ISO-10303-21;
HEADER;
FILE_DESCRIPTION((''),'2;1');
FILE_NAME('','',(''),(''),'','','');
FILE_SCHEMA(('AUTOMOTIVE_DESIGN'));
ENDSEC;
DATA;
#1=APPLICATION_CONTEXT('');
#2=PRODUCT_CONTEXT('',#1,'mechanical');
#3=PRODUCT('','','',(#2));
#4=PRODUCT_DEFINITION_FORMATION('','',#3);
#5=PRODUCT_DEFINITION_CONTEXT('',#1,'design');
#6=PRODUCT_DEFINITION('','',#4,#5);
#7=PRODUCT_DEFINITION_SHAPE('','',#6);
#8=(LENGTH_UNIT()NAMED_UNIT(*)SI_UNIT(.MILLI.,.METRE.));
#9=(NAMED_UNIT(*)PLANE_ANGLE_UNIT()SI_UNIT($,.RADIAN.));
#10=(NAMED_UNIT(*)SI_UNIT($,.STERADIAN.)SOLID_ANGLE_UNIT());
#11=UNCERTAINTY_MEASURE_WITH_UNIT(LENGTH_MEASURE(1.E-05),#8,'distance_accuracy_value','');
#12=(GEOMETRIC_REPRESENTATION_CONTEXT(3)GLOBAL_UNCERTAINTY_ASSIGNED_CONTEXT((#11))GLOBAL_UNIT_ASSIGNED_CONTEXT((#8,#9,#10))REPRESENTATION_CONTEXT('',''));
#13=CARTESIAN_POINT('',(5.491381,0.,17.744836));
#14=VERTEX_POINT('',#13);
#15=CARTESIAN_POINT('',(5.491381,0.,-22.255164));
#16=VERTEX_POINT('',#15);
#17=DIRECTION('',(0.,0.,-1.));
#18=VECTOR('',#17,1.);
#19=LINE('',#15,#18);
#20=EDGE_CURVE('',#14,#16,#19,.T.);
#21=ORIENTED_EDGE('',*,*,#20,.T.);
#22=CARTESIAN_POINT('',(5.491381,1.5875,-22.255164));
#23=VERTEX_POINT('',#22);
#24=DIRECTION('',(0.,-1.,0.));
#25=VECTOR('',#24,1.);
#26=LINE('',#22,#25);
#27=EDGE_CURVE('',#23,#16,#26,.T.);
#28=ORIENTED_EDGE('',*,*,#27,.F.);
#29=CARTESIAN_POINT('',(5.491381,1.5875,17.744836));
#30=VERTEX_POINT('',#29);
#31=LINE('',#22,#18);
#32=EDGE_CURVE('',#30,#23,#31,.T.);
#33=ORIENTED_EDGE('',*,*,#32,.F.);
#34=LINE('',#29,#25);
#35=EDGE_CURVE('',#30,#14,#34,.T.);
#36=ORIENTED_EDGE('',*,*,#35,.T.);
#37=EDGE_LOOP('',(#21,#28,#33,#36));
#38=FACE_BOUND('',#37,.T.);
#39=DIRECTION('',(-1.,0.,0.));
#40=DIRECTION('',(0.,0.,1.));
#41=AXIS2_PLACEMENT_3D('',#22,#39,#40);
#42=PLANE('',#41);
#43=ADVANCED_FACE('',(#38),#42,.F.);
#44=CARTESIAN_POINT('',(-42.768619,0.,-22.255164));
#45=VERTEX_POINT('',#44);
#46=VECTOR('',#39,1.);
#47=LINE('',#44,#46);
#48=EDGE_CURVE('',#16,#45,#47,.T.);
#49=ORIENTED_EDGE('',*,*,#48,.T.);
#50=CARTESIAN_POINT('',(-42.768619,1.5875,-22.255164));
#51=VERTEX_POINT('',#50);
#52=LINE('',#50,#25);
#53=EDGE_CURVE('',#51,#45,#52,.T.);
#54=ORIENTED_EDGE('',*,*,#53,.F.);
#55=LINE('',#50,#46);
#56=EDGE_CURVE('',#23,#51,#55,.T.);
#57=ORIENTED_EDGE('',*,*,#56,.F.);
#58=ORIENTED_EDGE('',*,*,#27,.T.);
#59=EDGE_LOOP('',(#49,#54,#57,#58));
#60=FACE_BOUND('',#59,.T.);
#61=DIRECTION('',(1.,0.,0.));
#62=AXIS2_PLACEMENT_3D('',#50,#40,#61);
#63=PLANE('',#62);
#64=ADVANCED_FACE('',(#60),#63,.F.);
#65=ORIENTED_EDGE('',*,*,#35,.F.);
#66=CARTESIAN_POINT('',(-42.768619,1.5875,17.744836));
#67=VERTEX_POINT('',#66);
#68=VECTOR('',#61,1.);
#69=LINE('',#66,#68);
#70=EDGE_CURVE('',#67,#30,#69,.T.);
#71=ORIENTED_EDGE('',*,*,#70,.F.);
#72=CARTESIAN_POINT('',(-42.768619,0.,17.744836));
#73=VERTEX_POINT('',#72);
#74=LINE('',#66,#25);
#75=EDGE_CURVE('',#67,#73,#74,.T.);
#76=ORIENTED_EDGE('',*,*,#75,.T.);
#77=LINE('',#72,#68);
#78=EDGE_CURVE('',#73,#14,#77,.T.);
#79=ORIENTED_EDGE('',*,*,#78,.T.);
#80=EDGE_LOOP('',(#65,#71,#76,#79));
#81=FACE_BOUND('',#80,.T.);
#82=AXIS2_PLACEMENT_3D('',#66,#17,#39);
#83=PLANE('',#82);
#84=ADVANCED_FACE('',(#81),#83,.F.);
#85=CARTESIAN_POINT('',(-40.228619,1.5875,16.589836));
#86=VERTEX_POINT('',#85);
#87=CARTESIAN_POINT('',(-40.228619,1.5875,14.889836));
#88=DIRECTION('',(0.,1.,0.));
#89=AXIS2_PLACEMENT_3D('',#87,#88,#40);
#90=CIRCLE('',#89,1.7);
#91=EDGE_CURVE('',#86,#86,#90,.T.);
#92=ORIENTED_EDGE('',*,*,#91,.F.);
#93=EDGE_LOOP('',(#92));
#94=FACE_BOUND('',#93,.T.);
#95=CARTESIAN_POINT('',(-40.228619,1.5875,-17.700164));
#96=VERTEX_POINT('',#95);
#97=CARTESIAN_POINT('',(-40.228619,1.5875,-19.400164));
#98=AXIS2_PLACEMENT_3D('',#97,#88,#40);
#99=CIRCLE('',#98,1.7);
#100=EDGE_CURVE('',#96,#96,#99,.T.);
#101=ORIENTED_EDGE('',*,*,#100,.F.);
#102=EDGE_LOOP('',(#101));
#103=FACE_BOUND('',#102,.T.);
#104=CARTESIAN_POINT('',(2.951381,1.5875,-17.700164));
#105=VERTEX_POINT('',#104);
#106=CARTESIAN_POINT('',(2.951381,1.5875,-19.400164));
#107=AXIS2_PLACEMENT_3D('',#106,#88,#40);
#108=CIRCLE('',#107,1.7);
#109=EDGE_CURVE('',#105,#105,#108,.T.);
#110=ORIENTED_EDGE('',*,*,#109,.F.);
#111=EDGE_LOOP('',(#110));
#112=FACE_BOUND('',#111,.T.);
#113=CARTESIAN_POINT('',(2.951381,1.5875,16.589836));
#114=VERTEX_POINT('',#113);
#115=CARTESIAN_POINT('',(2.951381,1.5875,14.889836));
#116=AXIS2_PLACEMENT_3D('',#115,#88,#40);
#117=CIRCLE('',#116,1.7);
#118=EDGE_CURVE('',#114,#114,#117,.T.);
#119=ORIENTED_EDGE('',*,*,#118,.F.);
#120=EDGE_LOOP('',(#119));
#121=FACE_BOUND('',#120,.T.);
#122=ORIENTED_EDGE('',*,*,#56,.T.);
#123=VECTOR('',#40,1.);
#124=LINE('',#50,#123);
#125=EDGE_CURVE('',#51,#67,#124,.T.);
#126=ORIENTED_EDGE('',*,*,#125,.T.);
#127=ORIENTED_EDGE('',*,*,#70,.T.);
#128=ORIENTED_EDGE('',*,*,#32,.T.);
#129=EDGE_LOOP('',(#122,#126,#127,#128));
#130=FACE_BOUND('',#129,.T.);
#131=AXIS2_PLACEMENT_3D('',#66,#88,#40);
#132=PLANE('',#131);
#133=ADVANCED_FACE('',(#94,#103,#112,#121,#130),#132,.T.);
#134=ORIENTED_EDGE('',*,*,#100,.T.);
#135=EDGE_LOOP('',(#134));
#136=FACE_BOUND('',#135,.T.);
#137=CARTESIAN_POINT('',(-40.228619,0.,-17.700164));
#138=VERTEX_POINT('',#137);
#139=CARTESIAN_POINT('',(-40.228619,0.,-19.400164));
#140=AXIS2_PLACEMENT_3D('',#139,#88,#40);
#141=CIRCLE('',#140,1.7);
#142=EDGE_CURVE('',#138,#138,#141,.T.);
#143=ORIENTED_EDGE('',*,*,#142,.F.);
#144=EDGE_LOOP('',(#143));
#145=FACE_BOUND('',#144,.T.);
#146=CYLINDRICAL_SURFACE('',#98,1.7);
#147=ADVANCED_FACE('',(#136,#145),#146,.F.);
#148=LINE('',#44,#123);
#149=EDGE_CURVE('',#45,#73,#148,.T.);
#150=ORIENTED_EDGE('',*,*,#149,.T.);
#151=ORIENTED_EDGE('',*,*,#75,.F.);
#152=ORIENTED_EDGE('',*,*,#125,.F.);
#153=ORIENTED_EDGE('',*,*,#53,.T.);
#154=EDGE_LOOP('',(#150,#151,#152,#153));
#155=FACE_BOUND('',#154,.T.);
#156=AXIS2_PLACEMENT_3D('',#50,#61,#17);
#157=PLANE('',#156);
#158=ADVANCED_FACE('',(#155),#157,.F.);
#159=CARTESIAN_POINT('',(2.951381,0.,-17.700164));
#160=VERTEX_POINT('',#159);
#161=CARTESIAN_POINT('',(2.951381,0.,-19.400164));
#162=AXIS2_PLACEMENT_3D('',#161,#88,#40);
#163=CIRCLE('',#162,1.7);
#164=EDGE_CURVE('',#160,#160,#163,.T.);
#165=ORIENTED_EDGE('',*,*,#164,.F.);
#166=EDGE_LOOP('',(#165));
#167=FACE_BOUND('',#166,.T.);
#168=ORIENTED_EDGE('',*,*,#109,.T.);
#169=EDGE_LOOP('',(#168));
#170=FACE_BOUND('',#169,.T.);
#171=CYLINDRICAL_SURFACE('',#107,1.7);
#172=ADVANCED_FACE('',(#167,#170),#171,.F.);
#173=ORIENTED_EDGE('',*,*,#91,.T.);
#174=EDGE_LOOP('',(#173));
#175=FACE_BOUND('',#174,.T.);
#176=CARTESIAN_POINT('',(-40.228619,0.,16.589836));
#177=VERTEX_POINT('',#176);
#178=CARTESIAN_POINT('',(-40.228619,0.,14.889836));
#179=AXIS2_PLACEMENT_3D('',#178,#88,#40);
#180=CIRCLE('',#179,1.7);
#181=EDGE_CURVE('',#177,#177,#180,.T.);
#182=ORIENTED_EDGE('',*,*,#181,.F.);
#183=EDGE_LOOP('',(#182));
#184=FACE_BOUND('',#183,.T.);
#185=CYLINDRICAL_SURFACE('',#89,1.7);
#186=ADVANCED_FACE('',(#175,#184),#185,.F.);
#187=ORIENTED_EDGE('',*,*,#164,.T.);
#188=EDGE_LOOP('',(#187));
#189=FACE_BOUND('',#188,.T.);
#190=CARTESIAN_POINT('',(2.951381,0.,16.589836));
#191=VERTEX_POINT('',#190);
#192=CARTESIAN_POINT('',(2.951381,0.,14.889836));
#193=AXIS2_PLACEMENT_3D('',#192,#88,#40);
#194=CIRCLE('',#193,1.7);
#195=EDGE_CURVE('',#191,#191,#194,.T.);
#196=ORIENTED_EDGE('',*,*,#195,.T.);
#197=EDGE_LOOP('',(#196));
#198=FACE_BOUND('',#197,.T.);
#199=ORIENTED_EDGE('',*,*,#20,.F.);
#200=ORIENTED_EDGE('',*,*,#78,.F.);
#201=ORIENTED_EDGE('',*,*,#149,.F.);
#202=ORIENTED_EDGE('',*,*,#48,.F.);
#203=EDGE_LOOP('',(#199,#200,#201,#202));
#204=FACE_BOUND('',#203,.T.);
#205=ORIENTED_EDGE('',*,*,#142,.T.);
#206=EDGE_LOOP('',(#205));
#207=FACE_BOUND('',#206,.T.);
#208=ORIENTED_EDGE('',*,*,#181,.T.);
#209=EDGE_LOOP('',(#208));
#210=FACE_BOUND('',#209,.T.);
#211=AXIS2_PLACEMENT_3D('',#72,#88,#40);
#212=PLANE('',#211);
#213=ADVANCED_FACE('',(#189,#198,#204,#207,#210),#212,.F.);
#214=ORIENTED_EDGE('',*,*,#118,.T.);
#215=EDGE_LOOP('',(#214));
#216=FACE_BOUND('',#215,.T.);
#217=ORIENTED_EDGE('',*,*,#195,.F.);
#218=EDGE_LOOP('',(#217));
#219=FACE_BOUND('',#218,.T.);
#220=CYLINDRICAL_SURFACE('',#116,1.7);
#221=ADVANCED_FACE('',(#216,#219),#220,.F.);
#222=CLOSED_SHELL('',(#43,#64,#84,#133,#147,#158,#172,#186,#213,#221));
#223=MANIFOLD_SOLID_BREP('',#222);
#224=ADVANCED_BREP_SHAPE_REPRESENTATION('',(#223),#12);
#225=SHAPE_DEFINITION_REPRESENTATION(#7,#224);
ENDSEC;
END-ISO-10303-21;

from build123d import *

# Parameters (mm, degrees)
SKETCH1_W            = 48.26
SKETCH1_H            = 40
BOSS_EXTRUDE1_DEPTH  = 1.5875
LPATTERN1_COUNT      = 2
LPATTERN1_PITCH      = 43.18
LPATTERN1_COUNT_DIR2 = 2
LPATTERN1_PITCH_DIR2 = 34.29


with BuildPart() as part:
    # Sketch1 → Boss-Extrude1 (new body)
    with BuildSketch(Plane(origin=(0, 0, 0), x_dir=(1, 0, 0), z_dir=(0, 1, 0))):
        with Locations((-18.638619051, 2.255163759)):
            Rectangle(SKETCH1_W, SKETCH1_H)
    extrude(amount=BOSS_EXTRUDE1_DEPTH)

    # Sketch9 → Clearance hole for 3MM screw (revolve, cut)
    with BuildSketch(Plane(origin=(-40.228619051, 1.5875, -19.400163759), x_dir=(0, 0, 1), z_dir=(1, 0, 0))):
        Polygon((0, 0), (0, 13.721463052), (1.7, 12.7), (1.7, 0), align=None)
    clearance_hole_for_3mm_screw = revolve(axis=Axis((-40.228619051, 7.9375, -19.400163759), (0, -1, 0)), mode=Mode.SUBTRACT)

    # LPattern1: Clearance hole for 3MM screw 2 × 2
    with Locations(*[(i * LPATTERN1_PITCH, 0, j * LPATTERN1_PITCH_DIR2) for i in range(LPATTERN1_COUNT) for j in range(LPATTERN1_COUNT_DIR2) if (i, j) != (0, 0)]):
        add(clearance_hole_for_3mm_screw, mode=Mode.SUBTRACT)


solid = part.part
